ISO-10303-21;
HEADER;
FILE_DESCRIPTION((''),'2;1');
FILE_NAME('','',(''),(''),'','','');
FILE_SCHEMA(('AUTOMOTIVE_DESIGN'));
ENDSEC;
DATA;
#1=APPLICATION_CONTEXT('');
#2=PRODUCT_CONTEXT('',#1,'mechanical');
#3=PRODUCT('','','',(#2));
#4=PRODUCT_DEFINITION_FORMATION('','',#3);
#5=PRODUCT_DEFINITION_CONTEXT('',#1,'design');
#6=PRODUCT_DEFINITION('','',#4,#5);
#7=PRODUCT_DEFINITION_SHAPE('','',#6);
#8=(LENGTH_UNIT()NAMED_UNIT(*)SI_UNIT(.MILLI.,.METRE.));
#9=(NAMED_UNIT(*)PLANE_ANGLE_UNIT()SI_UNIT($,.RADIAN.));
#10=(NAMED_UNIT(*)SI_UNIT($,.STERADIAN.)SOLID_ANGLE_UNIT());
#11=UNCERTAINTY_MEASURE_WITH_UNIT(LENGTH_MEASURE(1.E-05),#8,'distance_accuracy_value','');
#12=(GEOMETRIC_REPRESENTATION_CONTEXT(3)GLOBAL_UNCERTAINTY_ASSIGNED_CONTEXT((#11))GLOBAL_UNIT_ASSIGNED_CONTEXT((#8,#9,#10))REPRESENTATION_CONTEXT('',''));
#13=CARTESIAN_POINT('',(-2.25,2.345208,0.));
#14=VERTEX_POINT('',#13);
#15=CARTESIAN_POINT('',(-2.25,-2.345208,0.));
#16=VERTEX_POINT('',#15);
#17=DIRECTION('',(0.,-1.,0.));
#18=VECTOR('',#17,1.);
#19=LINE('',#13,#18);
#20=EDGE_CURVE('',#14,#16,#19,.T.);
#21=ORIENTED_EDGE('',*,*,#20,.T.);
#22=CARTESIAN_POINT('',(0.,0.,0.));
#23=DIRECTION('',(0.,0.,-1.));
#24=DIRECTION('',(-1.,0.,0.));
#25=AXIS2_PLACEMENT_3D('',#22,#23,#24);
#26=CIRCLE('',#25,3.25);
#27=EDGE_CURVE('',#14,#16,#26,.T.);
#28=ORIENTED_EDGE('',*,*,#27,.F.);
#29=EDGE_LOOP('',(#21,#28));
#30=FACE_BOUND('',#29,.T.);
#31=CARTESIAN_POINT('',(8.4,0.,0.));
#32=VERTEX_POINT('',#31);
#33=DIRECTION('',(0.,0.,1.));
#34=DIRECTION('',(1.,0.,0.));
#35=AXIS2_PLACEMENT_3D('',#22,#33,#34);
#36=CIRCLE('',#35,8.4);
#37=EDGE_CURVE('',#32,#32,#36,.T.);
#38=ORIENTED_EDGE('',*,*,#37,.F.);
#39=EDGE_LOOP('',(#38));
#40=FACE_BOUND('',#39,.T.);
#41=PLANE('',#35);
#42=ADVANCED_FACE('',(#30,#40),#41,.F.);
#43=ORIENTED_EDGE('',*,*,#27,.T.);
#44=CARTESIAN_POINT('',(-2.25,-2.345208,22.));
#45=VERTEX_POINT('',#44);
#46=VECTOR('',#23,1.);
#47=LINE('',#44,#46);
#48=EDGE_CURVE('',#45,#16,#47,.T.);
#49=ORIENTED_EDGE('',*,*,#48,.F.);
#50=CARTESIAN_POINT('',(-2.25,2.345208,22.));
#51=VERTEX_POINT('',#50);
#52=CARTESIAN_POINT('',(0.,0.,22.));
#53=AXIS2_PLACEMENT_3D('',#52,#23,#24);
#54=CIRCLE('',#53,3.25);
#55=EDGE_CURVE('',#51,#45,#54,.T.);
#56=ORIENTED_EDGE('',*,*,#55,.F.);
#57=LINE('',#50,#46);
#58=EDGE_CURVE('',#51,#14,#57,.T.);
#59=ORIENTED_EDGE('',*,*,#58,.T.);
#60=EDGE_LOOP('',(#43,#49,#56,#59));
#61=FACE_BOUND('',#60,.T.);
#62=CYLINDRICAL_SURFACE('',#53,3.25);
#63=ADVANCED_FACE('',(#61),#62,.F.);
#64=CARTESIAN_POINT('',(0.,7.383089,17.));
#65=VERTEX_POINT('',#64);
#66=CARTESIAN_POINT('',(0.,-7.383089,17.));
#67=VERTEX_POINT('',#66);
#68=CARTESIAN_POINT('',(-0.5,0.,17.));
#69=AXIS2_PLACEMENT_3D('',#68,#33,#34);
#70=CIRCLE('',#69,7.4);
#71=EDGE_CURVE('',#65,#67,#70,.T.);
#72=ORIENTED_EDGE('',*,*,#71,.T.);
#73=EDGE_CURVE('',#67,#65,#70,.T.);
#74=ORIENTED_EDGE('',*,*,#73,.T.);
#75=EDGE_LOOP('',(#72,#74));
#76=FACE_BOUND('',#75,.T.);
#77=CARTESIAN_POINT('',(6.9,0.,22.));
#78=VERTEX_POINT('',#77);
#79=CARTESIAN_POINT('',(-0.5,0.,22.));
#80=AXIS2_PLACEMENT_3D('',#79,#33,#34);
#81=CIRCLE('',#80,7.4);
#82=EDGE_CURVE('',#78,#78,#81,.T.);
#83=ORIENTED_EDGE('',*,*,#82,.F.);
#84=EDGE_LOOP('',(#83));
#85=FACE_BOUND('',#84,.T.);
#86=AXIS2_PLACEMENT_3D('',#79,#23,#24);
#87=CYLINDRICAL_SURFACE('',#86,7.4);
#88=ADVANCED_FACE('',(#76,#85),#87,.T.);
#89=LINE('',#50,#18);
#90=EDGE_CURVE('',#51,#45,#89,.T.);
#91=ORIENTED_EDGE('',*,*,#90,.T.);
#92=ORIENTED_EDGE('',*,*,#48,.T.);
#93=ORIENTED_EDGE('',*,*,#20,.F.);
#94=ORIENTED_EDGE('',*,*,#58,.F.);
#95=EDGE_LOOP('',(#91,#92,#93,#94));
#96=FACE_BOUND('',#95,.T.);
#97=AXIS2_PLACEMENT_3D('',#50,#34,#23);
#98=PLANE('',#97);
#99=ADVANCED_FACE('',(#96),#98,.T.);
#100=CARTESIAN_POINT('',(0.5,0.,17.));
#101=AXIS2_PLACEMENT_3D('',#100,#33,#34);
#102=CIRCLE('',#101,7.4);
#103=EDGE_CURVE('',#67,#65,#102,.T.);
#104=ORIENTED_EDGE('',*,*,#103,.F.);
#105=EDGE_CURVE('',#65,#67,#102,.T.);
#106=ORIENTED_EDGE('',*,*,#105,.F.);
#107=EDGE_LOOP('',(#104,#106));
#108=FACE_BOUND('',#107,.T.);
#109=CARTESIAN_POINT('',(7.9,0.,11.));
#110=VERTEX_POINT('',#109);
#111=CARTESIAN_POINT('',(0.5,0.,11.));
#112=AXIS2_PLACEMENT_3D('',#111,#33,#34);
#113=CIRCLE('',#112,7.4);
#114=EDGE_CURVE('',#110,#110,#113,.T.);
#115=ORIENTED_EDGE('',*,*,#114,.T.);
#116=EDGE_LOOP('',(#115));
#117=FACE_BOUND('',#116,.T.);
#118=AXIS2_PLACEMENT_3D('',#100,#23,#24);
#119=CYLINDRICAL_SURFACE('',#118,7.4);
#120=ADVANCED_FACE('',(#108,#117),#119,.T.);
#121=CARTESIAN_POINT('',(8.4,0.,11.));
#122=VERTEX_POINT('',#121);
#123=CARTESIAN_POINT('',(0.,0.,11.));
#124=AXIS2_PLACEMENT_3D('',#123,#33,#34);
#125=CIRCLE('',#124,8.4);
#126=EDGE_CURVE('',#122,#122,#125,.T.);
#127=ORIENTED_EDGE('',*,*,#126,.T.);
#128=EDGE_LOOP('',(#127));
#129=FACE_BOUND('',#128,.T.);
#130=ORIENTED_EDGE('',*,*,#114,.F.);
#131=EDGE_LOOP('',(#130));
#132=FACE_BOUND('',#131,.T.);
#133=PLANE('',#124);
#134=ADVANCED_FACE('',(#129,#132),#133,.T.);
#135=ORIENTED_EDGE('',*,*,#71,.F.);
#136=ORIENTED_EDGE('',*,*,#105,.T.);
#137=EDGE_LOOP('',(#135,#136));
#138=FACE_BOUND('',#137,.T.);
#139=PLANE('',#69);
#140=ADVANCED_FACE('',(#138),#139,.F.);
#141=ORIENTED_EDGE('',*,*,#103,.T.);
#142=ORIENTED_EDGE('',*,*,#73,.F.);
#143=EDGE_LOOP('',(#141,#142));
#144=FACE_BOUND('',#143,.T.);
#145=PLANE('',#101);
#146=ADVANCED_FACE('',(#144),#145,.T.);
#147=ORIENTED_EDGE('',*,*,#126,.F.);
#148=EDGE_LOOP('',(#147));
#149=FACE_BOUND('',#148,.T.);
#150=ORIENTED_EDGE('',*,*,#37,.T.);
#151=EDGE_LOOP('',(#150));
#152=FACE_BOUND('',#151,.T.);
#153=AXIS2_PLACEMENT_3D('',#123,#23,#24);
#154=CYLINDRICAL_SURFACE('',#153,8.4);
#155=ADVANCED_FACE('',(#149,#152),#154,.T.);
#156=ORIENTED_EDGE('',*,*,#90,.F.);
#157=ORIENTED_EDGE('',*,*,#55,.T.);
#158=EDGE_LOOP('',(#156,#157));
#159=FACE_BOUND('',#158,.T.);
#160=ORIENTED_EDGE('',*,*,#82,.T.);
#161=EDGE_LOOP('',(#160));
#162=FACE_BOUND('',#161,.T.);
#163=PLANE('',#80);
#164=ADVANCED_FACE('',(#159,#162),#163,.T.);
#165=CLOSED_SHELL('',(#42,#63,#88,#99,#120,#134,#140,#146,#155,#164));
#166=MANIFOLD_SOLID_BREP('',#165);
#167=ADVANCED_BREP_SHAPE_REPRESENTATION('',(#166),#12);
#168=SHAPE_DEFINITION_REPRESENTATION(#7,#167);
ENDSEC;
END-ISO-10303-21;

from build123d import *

# Parameters (mm, degrees)
ESQUISSE1_R             = 8.4
BOSS_EXTRU_1_DEPTH      = 11
ESQUISSE3_R             = 7.4
BOSS_EXTRU_2_DEPTH      = 6
ESQUISSE4_R             = 7.4
BOSS_EXTRU_3_DEPTH      = 5
ENL_V_MAT_EXTRU_1_DEPTH = 26.002399885


with BuildPart() as part:
    # Esquisse1 → Boss.-Extru.1 (new body)
    with BuildSketch(Plane.XY):
        Circle(ESQUISSE1_R)
    extrude(amount=BOSS_EXTRU_1_DEPTH)

    # Esquisse3 → Boss.-Extru.2 (add)
    with BuildSketch(Plane.XY.offset(11)):
        with Locations((0.5, 0)):
            Circle(ESQUISSE3_R)
    extrude(amount=BOSS_EXTRU_2_DEPTH)

    # Esquisse4 → Boss.-Extru.3 (add)
    with BuildSketch(Plane.XY.offset(17)):
        with Locations(Location((-0.5, 0, 0), (0, 0, 273.874288206))):
            Circle(ESQUISSE4_R)
    extrude(amount=BOSS_EXTRU_3_DEPTH)

    # Esquisse5 → Enlèv. mat.-Extru.1 (cut, through all)
    with BuildSketch(Plane(origin=(0, 0, 0), x_dir=(-1, 0, 0), z_dir=(0, 0, -1))):
        with BuildLine():
            Line((2.25, 2.34520788), (2.25, -2.34520788))
            ThreePointArc((2.25, -2.34520788), (-3.25, 0), (2.25, 2.34520788))
        make_face()
    extrude(amount=-ENL_V_MAT_EXTRU_1_DEPTH, mode=Mode.SUBTRACT)


solid = part.part
